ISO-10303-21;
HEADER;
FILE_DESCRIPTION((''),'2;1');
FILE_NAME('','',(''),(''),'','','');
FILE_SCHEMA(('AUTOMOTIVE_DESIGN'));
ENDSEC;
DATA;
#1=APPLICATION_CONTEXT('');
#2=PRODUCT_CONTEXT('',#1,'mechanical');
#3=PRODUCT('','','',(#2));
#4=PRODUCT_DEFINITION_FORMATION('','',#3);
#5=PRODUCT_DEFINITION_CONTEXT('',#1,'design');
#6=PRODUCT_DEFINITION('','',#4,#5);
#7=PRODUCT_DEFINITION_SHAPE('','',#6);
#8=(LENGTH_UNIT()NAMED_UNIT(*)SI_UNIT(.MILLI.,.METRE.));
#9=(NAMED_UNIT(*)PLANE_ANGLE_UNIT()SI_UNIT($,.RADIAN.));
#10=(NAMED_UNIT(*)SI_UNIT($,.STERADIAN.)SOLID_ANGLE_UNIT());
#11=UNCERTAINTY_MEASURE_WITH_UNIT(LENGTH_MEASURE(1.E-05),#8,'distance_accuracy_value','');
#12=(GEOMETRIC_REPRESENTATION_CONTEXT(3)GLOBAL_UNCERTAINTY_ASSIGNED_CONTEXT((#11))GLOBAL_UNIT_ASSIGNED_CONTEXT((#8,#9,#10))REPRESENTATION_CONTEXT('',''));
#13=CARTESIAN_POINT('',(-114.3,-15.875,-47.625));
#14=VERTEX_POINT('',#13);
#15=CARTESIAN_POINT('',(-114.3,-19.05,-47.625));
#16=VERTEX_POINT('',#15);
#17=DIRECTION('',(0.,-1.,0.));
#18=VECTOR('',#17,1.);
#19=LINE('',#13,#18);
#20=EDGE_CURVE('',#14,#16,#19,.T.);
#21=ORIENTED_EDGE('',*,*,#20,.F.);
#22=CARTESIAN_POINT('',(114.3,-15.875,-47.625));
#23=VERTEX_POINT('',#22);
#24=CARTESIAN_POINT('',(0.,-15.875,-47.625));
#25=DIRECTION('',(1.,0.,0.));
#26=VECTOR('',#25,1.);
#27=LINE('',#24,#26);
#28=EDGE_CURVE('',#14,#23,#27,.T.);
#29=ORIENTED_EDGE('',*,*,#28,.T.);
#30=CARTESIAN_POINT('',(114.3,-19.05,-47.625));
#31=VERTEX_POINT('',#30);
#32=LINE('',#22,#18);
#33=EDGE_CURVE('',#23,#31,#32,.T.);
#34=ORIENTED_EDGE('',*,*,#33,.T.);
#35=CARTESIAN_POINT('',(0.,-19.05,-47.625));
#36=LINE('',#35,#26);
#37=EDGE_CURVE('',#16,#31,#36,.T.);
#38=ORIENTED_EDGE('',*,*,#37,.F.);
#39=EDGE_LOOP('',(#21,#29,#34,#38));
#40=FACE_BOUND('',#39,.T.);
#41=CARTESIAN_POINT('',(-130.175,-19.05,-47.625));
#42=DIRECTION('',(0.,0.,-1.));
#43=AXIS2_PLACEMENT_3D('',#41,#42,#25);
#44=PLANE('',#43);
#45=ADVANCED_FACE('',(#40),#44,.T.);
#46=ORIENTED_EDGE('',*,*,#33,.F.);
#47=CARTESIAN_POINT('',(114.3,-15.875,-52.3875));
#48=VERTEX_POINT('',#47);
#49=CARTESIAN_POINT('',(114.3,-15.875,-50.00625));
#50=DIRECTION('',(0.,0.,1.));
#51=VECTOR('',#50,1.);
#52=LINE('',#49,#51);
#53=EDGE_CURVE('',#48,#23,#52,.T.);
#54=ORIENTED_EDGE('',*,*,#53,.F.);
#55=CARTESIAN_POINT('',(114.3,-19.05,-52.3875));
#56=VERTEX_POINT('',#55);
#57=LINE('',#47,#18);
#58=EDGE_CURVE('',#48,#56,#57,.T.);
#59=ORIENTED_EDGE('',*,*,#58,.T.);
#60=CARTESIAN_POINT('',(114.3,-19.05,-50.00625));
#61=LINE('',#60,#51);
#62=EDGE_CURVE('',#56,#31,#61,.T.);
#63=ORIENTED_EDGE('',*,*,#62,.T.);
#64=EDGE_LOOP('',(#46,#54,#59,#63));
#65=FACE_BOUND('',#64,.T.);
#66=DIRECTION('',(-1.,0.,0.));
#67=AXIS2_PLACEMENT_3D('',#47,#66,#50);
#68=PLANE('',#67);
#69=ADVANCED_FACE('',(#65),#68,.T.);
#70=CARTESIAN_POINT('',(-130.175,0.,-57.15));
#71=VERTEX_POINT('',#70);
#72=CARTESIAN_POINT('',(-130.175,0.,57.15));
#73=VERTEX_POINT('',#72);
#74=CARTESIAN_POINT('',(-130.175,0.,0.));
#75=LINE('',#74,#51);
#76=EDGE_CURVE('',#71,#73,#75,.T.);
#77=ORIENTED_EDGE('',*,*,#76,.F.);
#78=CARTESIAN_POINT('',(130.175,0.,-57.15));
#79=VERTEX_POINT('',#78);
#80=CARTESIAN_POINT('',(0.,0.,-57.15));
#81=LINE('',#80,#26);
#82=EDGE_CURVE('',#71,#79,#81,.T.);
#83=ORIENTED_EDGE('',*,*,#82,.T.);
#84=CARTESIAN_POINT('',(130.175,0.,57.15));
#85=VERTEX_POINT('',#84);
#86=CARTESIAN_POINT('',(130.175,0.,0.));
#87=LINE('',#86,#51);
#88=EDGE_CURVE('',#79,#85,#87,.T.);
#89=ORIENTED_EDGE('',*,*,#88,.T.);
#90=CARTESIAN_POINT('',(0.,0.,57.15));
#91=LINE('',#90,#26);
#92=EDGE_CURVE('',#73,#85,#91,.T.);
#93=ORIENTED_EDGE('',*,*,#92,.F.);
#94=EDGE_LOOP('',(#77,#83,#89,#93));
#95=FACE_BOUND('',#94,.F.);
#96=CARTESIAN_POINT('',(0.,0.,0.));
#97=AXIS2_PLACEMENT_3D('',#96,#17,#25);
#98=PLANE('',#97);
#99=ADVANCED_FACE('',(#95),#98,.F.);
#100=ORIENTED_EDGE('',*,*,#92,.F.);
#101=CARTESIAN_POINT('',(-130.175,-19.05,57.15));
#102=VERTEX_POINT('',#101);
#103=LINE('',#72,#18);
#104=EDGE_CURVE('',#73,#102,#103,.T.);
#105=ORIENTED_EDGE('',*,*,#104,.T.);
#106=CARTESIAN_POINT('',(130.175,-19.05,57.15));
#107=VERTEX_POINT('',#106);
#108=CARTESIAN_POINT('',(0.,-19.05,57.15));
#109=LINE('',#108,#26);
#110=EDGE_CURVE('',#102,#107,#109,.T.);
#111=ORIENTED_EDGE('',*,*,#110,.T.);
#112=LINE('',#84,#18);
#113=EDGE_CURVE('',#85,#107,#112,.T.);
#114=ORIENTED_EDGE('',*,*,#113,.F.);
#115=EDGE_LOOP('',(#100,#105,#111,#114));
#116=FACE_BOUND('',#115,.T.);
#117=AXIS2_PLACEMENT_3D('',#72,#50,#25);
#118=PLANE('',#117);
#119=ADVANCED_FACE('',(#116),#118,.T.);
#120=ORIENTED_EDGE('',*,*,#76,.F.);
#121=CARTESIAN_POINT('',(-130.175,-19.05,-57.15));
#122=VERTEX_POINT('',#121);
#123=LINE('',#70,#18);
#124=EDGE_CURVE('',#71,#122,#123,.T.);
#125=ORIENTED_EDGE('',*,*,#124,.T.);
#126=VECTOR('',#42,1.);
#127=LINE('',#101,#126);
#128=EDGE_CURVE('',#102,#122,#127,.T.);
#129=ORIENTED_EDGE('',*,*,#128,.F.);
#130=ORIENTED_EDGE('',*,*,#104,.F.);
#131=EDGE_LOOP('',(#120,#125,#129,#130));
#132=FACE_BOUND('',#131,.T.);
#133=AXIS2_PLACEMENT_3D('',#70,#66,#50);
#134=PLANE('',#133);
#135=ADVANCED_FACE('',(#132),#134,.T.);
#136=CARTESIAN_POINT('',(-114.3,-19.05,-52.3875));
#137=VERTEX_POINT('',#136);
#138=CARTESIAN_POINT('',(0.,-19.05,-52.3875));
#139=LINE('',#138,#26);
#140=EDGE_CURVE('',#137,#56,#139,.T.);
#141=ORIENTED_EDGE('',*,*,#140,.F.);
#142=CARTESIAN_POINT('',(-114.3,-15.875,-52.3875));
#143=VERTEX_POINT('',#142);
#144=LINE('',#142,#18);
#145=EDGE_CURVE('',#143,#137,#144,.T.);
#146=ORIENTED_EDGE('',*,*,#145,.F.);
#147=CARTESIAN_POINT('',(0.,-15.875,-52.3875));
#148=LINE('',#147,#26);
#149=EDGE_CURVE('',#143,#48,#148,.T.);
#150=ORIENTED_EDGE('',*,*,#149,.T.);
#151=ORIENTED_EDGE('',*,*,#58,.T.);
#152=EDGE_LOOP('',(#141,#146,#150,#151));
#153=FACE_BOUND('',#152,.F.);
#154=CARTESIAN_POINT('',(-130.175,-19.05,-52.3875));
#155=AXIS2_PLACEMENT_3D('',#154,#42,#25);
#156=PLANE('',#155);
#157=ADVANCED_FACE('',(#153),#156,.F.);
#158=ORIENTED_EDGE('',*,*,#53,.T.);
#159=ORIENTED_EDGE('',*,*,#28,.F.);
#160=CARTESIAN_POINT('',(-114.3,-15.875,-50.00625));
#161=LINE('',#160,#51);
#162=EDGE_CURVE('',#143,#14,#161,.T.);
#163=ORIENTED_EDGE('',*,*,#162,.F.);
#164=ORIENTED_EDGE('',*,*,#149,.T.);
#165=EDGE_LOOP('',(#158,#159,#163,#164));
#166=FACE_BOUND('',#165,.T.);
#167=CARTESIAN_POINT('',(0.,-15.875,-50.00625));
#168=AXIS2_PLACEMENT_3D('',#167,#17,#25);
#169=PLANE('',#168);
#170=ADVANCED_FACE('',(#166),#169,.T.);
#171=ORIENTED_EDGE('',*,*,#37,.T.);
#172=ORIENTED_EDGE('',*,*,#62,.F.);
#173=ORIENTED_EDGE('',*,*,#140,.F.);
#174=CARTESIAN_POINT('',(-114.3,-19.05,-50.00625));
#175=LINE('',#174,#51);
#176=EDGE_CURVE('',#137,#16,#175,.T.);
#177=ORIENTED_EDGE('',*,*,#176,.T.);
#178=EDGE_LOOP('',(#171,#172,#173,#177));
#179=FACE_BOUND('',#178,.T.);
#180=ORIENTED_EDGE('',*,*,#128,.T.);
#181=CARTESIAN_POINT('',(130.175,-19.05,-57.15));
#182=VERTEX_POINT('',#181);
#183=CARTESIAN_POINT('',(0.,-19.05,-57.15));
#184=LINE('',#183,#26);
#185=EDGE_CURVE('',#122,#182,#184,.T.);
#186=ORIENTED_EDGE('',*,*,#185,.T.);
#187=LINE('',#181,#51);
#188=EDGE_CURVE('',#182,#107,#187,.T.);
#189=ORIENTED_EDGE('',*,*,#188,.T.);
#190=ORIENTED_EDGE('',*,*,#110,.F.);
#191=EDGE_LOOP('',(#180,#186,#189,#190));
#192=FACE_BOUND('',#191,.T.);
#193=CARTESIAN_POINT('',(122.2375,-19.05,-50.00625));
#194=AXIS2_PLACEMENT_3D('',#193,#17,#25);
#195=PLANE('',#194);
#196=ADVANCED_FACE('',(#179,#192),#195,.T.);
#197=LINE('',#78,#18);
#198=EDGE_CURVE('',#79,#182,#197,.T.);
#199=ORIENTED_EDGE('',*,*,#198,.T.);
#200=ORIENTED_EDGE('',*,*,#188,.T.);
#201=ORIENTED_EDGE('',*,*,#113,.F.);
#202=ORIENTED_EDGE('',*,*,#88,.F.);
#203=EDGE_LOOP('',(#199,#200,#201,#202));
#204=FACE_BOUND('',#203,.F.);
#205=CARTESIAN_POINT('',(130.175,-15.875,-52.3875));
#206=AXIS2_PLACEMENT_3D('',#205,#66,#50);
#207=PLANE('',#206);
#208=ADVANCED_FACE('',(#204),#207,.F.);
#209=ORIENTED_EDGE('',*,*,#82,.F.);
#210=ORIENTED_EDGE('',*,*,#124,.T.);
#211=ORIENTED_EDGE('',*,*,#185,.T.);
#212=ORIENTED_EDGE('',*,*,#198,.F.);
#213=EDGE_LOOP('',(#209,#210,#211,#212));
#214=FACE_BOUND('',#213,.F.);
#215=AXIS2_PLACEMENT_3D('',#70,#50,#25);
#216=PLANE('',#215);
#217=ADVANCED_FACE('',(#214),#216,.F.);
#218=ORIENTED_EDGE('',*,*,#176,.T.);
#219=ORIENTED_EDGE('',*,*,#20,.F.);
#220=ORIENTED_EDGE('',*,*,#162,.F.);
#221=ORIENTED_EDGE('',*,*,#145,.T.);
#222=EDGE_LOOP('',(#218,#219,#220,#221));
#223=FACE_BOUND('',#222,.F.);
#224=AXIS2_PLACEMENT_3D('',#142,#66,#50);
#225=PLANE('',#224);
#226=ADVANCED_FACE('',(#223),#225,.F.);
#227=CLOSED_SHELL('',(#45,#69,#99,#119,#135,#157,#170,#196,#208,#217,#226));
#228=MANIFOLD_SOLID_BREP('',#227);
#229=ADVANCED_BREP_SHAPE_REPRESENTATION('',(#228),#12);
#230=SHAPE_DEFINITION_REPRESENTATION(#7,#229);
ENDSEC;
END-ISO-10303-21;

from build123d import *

# Parameters (mm, degrees)
F0_W     = 260.35
F0_H     = 114.3
F1_DEPTH = 19.05
F2_W     = 260.35
F2_H     = 4.7625
F3_DEPTH = 3.175
F4_W     = 15.875
F4_H     = 4.7625
F5_DEPTH = 3.175


with BuildPart() as f1:
    # F0 (on Front) → F1 (new body)
    with BuildSketch(Plane.XZ):
        Rectangle(F0_W, F0_H)
    extrude(amount=F1_DEPTH)

    # F2 (on face) → F3 (cut)
    with BuildSketch(Plane.XZ.offset(19.05)):
        with Locations((0, -50.00625)):
            Rectangle(F2_W, F2_H)
    extrude(amount=-F3_DEPTH, mode=Mode.SUBTRACT)

    # F4 (on face) → F5 (join)
    with BuildSketch(Plane.XZ.offset(15.875)):
        with Locations((122.2375, -50.00625)):
            Rectangle(F4_W, F4_H)
        with Locations((-122.2375, -50.00625)):
            Rectangle(F4_W, F4_H)
    extrude(amount=F5_DEPTH)


solid = f1.part
